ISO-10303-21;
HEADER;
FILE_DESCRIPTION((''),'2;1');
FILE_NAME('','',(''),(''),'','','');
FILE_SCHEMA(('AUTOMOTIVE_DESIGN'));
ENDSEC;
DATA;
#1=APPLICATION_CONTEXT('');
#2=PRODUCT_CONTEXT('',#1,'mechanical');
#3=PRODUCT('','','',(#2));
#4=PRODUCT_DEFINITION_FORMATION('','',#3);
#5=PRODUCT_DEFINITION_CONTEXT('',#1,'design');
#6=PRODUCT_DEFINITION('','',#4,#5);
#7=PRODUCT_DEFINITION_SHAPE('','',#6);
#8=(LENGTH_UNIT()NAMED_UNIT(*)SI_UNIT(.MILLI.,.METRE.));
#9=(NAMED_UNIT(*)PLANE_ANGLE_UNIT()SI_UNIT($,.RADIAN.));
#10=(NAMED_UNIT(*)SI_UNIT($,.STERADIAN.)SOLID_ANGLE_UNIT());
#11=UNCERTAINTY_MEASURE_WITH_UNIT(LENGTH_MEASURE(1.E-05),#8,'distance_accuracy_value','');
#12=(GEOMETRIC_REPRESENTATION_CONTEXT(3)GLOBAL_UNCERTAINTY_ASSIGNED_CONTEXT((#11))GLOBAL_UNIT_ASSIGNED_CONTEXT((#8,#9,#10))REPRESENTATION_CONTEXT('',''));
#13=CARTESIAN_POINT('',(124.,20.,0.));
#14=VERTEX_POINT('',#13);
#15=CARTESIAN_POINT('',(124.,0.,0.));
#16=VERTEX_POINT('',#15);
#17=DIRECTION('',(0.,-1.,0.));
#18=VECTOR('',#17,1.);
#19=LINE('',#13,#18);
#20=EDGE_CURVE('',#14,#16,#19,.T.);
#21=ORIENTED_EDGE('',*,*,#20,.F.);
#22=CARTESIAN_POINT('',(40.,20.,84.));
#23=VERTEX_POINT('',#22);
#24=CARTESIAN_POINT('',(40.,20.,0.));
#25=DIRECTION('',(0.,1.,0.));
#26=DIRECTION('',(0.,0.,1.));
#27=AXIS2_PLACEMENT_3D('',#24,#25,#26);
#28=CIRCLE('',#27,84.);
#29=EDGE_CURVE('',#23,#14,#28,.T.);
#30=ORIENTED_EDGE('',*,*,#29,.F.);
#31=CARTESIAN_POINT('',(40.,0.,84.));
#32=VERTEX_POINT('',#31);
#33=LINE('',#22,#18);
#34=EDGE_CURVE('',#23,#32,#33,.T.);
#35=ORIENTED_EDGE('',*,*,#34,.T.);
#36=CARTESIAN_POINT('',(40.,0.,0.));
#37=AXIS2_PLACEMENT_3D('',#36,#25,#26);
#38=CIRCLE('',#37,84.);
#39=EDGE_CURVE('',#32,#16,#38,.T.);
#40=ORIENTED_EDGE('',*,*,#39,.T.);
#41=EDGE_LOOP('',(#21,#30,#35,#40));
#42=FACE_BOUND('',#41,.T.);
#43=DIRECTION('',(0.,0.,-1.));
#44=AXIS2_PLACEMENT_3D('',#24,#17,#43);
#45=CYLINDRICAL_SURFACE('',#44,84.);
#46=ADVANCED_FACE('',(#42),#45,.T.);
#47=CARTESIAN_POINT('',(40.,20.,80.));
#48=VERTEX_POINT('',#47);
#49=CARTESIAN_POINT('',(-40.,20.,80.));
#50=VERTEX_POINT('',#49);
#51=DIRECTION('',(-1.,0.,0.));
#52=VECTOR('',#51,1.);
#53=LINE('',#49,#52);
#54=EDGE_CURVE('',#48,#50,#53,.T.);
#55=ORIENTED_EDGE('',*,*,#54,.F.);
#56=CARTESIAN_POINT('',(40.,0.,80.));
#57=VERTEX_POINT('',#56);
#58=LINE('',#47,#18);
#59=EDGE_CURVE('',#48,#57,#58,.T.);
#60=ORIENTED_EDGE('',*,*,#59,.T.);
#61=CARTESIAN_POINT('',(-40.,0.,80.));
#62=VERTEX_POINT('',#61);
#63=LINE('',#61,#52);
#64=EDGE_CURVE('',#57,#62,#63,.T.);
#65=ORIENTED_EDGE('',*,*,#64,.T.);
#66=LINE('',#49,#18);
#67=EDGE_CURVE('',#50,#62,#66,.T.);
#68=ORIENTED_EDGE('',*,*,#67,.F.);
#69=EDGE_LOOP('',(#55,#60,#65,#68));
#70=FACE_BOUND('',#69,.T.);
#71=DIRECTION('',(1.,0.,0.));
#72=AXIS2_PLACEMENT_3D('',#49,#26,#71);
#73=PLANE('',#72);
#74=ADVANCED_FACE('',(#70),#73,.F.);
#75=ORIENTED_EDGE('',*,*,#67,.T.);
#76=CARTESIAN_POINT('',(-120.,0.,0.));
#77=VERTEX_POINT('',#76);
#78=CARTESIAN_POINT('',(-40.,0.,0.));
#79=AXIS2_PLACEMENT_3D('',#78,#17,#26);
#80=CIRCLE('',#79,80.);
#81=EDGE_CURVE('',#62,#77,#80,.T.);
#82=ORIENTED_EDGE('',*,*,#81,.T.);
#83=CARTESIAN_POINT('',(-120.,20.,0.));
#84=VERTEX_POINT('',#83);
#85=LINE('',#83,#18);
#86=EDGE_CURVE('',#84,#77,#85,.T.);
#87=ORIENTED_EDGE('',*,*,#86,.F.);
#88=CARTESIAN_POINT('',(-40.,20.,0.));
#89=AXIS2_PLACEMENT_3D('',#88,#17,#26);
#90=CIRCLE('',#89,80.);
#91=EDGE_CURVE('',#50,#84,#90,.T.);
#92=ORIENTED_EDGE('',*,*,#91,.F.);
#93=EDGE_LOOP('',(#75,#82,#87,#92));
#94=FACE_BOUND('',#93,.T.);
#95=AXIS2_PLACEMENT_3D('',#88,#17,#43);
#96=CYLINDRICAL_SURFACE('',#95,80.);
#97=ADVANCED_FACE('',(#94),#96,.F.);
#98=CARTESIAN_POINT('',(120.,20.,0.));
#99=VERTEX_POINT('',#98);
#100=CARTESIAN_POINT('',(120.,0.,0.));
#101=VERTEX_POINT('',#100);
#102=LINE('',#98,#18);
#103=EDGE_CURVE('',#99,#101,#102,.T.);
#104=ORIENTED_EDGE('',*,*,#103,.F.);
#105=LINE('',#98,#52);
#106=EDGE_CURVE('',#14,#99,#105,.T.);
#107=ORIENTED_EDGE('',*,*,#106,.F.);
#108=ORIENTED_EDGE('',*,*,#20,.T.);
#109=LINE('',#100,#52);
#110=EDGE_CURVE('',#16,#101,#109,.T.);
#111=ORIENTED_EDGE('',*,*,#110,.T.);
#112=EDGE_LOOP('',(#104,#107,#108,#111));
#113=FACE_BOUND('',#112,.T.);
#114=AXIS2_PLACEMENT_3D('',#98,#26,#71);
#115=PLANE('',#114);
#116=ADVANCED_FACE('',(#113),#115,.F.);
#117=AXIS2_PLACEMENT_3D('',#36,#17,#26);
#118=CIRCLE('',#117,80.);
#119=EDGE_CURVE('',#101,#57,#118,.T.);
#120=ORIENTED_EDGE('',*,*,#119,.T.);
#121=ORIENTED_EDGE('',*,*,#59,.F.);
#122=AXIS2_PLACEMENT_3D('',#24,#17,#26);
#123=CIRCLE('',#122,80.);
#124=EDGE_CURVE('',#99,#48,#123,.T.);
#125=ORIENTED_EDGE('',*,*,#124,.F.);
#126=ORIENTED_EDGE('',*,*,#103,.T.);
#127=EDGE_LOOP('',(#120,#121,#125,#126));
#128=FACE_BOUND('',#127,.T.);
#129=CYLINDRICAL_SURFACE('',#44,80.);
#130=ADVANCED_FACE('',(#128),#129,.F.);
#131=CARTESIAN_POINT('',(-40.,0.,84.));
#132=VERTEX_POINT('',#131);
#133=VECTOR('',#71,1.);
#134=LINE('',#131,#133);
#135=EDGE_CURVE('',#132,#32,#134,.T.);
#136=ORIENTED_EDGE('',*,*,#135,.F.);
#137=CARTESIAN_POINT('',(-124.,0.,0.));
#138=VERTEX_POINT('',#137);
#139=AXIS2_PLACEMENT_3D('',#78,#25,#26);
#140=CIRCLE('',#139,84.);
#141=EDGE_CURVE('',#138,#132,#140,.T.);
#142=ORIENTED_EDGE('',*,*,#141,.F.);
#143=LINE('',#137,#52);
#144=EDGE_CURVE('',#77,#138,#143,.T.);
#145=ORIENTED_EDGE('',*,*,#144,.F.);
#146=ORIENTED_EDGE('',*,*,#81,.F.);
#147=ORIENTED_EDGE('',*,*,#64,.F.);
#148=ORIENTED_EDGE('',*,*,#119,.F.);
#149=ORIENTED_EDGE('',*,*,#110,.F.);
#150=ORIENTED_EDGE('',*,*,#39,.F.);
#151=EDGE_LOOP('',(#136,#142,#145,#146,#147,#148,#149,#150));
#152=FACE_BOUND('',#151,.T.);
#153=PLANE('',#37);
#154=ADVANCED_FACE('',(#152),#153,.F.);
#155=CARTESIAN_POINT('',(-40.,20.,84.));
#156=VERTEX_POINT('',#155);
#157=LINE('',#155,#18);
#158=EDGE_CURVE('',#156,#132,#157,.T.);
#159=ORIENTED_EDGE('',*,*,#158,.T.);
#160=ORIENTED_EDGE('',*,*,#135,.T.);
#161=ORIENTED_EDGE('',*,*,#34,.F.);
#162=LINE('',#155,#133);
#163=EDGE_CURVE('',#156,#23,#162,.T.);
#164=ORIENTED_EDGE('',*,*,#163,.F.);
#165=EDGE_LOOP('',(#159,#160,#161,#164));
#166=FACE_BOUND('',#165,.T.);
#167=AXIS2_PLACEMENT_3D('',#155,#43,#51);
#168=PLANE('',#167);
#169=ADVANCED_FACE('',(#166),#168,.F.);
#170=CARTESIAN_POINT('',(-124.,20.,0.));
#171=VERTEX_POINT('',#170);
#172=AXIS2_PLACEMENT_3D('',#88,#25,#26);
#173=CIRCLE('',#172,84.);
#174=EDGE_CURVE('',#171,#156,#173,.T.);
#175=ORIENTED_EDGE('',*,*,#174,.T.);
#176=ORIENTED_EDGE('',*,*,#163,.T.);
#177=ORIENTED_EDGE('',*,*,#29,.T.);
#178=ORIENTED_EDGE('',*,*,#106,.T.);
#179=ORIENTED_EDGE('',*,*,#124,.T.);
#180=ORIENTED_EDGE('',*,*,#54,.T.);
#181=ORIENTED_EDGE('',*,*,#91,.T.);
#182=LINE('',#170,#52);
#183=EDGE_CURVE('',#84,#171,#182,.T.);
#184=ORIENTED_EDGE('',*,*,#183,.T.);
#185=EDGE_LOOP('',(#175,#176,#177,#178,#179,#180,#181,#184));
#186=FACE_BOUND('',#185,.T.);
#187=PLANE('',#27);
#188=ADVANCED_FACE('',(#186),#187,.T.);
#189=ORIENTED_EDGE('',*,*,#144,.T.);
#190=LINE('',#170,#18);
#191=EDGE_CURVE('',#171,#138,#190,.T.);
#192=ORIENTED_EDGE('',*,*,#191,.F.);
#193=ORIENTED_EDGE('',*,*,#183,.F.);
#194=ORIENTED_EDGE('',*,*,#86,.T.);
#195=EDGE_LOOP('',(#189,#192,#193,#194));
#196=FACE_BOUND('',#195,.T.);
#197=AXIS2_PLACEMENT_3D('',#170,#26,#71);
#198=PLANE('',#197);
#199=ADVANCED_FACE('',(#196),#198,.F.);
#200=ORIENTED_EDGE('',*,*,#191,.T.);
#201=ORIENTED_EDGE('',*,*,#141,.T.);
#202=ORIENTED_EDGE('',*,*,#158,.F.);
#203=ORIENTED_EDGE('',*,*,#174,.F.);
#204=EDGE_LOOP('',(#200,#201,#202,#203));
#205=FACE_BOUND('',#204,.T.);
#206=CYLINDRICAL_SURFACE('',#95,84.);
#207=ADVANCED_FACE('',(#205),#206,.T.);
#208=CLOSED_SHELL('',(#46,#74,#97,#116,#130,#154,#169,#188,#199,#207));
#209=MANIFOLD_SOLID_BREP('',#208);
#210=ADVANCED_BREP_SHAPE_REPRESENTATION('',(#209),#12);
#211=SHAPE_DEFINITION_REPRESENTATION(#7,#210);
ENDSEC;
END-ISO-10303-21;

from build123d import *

# Parameters (mm, degrees)
EXTRUDE_1_DEPTH = 20


with BuildPart() as part:
    # 草图1 → 凸台-拉伸1 (new body)
    with BuildSketch(Plane(origin=(0, 0, 0), x_dir=(1, 0, 0), z_dir=(0, 1, 0))):
        with BuildLine():
            Line((120, 0), (124, 0))
            ThreePointArc((124, 0), (99.39696962, -59.39696962), (40, -84))
            Line((40, -84), (-40, -84))
            ThreePointArc((-40, -84), (-99.39696962, -59.39696962), (-124, 0))
            Line((-124, 0), (-120, 0))
            ThreePointArc((-120, 0), (-96.568542495, -56.568542495), (-40, -80))
            Line((-40, -80), (40, -80))
            ThreePointArc((40, -80), (96.568542495, -56.568542495), (120, 0))
        make_face()
    extrude(amount=EXTRUDE_1_DEPTH)


solid = part.part
